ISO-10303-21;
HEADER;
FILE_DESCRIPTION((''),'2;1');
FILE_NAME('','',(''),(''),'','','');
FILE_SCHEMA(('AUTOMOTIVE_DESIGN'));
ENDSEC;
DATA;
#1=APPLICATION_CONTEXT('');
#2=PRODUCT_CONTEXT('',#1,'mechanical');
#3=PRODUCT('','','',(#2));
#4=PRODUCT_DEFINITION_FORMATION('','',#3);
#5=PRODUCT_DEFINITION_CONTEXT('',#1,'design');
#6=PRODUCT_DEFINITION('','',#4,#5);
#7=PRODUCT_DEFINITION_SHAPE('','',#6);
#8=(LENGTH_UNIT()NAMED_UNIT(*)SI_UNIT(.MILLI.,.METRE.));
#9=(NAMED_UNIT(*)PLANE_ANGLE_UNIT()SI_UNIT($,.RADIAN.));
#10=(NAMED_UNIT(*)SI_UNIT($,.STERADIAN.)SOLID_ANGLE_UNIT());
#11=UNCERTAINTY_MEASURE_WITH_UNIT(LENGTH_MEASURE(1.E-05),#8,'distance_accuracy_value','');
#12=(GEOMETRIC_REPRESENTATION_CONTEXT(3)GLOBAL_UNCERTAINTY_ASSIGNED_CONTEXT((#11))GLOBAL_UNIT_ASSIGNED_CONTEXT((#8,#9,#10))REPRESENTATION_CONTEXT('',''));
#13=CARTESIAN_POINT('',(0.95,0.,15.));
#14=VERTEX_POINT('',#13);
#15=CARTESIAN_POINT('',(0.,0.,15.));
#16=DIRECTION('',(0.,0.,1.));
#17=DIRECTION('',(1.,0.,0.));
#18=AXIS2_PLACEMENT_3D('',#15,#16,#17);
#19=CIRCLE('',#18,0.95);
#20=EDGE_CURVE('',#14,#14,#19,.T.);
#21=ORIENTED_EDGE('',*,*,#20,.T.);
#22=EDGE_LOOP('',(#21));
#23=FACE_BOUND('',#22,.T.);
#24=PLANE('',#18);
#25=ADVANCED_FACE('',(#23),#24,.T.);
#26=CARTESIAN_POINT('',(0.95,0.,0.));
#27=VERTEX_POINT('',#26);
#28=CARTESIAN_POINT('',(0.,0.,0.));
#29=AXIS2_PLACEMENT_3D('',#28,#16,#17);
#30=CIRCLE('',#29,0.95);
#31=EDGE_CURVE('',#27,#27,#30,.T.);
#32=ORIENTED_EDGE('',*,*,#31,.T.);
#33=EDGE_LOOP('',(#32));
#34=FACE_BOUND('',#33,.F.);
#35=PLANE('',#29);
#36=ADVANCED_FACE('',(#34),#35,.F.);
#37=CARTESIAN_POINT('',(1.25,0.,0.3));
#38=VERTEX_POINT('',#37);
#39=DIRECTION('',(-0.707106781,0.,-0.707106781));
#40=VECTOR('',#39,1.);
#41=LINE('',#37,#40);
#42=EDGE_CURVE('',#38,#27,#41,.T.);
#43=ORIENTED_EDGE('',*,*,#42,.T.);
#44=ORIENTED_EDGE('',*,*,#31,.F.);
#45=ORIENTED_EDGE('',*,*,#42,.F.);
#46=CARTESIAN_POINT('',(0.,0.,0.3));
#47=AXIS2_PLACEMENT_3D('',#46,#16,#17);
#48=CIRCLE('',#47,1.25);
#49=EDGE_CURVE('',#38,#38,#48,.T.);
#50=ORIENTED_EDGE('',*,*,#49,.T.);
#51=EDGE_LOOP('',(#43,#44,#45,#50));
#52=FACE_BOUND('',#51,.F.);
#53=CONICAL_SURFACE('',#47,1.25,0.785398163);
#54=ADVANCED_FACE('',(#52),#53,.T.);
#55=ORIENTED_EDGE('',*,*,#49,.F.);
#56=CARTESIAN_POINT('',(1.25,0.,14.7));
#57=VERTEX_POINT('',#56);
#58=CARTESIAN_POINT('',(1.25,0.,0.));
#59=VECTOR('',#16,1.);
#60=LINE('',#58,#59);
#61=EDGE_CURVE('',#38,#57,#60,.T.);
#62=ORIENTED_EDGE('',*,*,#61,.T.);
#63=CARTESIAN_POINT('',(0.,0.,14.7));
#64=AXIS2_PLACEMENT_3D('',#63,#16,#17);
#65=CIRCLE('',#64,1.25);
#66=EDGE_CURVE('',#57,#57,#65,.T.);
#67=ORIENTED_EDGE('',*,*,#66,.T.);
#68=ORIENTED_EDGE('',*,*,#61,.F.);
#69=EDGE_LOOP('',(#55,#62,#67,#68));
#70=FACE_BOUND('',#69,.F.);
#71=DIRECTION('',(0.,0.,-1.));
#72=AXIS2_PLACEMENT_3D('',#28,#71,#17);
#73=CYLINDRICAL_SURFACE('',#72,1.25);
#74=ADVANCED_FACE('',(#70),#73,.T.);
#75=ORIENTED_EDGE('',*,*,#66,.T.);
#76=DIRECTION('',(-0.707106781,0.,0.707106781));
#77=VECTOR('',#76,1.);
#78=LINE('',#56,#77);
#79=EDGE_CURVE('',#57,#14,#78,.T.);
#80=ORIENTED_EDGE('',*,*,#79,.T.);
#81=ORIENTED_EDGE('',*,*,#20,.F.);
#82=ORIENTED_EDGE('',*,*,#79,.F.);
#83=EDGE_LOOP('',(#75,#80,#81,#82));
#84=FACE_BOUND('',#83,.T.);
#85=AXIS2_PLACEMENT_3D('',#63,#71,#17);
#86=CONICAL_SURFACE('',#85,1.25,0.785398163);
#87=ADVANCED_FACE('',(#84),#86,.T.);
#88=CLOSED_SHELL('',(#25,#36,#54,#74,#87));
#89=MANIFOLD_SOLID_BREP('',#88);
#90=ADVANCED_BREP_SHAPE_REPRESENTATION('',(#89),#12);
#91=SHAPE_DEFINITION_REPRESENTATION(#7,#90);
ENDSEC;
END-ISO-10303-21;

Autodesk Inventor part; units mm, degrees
ref_plane "YZ Plane" through (0, 0, 0) normal (1, 0, 0) x (0, 1, 0)
ref_plane "XZ Plane" through (0, 0, 0) normal (0, 1, 0) x (-1, 0, 0)
ref_plane "XY Plane" through (0, 0, 0) normal (0, 0, 1) x (1, 0, 0)
sketch "スケッチ1" plane through (0, 0, 0) normal (0, 0, 1) x (1, 0, 0)
  circle A0 centre (0, 0) radius 1.25
  dimension "d0" = 2.5
extrude "押し出し1" add sketch "スケッチ1" along normal blind 15
chamfer "面取り1" distance 0.3 angle 45 1 edges at (-1.25, 0, 15)
chamfer "面取り2" distance 0.3 angle 45 1 edges at (-1.25, 0, 0)
properties part number "平行ピン15mm" material "鋼、高強度、低合金"
